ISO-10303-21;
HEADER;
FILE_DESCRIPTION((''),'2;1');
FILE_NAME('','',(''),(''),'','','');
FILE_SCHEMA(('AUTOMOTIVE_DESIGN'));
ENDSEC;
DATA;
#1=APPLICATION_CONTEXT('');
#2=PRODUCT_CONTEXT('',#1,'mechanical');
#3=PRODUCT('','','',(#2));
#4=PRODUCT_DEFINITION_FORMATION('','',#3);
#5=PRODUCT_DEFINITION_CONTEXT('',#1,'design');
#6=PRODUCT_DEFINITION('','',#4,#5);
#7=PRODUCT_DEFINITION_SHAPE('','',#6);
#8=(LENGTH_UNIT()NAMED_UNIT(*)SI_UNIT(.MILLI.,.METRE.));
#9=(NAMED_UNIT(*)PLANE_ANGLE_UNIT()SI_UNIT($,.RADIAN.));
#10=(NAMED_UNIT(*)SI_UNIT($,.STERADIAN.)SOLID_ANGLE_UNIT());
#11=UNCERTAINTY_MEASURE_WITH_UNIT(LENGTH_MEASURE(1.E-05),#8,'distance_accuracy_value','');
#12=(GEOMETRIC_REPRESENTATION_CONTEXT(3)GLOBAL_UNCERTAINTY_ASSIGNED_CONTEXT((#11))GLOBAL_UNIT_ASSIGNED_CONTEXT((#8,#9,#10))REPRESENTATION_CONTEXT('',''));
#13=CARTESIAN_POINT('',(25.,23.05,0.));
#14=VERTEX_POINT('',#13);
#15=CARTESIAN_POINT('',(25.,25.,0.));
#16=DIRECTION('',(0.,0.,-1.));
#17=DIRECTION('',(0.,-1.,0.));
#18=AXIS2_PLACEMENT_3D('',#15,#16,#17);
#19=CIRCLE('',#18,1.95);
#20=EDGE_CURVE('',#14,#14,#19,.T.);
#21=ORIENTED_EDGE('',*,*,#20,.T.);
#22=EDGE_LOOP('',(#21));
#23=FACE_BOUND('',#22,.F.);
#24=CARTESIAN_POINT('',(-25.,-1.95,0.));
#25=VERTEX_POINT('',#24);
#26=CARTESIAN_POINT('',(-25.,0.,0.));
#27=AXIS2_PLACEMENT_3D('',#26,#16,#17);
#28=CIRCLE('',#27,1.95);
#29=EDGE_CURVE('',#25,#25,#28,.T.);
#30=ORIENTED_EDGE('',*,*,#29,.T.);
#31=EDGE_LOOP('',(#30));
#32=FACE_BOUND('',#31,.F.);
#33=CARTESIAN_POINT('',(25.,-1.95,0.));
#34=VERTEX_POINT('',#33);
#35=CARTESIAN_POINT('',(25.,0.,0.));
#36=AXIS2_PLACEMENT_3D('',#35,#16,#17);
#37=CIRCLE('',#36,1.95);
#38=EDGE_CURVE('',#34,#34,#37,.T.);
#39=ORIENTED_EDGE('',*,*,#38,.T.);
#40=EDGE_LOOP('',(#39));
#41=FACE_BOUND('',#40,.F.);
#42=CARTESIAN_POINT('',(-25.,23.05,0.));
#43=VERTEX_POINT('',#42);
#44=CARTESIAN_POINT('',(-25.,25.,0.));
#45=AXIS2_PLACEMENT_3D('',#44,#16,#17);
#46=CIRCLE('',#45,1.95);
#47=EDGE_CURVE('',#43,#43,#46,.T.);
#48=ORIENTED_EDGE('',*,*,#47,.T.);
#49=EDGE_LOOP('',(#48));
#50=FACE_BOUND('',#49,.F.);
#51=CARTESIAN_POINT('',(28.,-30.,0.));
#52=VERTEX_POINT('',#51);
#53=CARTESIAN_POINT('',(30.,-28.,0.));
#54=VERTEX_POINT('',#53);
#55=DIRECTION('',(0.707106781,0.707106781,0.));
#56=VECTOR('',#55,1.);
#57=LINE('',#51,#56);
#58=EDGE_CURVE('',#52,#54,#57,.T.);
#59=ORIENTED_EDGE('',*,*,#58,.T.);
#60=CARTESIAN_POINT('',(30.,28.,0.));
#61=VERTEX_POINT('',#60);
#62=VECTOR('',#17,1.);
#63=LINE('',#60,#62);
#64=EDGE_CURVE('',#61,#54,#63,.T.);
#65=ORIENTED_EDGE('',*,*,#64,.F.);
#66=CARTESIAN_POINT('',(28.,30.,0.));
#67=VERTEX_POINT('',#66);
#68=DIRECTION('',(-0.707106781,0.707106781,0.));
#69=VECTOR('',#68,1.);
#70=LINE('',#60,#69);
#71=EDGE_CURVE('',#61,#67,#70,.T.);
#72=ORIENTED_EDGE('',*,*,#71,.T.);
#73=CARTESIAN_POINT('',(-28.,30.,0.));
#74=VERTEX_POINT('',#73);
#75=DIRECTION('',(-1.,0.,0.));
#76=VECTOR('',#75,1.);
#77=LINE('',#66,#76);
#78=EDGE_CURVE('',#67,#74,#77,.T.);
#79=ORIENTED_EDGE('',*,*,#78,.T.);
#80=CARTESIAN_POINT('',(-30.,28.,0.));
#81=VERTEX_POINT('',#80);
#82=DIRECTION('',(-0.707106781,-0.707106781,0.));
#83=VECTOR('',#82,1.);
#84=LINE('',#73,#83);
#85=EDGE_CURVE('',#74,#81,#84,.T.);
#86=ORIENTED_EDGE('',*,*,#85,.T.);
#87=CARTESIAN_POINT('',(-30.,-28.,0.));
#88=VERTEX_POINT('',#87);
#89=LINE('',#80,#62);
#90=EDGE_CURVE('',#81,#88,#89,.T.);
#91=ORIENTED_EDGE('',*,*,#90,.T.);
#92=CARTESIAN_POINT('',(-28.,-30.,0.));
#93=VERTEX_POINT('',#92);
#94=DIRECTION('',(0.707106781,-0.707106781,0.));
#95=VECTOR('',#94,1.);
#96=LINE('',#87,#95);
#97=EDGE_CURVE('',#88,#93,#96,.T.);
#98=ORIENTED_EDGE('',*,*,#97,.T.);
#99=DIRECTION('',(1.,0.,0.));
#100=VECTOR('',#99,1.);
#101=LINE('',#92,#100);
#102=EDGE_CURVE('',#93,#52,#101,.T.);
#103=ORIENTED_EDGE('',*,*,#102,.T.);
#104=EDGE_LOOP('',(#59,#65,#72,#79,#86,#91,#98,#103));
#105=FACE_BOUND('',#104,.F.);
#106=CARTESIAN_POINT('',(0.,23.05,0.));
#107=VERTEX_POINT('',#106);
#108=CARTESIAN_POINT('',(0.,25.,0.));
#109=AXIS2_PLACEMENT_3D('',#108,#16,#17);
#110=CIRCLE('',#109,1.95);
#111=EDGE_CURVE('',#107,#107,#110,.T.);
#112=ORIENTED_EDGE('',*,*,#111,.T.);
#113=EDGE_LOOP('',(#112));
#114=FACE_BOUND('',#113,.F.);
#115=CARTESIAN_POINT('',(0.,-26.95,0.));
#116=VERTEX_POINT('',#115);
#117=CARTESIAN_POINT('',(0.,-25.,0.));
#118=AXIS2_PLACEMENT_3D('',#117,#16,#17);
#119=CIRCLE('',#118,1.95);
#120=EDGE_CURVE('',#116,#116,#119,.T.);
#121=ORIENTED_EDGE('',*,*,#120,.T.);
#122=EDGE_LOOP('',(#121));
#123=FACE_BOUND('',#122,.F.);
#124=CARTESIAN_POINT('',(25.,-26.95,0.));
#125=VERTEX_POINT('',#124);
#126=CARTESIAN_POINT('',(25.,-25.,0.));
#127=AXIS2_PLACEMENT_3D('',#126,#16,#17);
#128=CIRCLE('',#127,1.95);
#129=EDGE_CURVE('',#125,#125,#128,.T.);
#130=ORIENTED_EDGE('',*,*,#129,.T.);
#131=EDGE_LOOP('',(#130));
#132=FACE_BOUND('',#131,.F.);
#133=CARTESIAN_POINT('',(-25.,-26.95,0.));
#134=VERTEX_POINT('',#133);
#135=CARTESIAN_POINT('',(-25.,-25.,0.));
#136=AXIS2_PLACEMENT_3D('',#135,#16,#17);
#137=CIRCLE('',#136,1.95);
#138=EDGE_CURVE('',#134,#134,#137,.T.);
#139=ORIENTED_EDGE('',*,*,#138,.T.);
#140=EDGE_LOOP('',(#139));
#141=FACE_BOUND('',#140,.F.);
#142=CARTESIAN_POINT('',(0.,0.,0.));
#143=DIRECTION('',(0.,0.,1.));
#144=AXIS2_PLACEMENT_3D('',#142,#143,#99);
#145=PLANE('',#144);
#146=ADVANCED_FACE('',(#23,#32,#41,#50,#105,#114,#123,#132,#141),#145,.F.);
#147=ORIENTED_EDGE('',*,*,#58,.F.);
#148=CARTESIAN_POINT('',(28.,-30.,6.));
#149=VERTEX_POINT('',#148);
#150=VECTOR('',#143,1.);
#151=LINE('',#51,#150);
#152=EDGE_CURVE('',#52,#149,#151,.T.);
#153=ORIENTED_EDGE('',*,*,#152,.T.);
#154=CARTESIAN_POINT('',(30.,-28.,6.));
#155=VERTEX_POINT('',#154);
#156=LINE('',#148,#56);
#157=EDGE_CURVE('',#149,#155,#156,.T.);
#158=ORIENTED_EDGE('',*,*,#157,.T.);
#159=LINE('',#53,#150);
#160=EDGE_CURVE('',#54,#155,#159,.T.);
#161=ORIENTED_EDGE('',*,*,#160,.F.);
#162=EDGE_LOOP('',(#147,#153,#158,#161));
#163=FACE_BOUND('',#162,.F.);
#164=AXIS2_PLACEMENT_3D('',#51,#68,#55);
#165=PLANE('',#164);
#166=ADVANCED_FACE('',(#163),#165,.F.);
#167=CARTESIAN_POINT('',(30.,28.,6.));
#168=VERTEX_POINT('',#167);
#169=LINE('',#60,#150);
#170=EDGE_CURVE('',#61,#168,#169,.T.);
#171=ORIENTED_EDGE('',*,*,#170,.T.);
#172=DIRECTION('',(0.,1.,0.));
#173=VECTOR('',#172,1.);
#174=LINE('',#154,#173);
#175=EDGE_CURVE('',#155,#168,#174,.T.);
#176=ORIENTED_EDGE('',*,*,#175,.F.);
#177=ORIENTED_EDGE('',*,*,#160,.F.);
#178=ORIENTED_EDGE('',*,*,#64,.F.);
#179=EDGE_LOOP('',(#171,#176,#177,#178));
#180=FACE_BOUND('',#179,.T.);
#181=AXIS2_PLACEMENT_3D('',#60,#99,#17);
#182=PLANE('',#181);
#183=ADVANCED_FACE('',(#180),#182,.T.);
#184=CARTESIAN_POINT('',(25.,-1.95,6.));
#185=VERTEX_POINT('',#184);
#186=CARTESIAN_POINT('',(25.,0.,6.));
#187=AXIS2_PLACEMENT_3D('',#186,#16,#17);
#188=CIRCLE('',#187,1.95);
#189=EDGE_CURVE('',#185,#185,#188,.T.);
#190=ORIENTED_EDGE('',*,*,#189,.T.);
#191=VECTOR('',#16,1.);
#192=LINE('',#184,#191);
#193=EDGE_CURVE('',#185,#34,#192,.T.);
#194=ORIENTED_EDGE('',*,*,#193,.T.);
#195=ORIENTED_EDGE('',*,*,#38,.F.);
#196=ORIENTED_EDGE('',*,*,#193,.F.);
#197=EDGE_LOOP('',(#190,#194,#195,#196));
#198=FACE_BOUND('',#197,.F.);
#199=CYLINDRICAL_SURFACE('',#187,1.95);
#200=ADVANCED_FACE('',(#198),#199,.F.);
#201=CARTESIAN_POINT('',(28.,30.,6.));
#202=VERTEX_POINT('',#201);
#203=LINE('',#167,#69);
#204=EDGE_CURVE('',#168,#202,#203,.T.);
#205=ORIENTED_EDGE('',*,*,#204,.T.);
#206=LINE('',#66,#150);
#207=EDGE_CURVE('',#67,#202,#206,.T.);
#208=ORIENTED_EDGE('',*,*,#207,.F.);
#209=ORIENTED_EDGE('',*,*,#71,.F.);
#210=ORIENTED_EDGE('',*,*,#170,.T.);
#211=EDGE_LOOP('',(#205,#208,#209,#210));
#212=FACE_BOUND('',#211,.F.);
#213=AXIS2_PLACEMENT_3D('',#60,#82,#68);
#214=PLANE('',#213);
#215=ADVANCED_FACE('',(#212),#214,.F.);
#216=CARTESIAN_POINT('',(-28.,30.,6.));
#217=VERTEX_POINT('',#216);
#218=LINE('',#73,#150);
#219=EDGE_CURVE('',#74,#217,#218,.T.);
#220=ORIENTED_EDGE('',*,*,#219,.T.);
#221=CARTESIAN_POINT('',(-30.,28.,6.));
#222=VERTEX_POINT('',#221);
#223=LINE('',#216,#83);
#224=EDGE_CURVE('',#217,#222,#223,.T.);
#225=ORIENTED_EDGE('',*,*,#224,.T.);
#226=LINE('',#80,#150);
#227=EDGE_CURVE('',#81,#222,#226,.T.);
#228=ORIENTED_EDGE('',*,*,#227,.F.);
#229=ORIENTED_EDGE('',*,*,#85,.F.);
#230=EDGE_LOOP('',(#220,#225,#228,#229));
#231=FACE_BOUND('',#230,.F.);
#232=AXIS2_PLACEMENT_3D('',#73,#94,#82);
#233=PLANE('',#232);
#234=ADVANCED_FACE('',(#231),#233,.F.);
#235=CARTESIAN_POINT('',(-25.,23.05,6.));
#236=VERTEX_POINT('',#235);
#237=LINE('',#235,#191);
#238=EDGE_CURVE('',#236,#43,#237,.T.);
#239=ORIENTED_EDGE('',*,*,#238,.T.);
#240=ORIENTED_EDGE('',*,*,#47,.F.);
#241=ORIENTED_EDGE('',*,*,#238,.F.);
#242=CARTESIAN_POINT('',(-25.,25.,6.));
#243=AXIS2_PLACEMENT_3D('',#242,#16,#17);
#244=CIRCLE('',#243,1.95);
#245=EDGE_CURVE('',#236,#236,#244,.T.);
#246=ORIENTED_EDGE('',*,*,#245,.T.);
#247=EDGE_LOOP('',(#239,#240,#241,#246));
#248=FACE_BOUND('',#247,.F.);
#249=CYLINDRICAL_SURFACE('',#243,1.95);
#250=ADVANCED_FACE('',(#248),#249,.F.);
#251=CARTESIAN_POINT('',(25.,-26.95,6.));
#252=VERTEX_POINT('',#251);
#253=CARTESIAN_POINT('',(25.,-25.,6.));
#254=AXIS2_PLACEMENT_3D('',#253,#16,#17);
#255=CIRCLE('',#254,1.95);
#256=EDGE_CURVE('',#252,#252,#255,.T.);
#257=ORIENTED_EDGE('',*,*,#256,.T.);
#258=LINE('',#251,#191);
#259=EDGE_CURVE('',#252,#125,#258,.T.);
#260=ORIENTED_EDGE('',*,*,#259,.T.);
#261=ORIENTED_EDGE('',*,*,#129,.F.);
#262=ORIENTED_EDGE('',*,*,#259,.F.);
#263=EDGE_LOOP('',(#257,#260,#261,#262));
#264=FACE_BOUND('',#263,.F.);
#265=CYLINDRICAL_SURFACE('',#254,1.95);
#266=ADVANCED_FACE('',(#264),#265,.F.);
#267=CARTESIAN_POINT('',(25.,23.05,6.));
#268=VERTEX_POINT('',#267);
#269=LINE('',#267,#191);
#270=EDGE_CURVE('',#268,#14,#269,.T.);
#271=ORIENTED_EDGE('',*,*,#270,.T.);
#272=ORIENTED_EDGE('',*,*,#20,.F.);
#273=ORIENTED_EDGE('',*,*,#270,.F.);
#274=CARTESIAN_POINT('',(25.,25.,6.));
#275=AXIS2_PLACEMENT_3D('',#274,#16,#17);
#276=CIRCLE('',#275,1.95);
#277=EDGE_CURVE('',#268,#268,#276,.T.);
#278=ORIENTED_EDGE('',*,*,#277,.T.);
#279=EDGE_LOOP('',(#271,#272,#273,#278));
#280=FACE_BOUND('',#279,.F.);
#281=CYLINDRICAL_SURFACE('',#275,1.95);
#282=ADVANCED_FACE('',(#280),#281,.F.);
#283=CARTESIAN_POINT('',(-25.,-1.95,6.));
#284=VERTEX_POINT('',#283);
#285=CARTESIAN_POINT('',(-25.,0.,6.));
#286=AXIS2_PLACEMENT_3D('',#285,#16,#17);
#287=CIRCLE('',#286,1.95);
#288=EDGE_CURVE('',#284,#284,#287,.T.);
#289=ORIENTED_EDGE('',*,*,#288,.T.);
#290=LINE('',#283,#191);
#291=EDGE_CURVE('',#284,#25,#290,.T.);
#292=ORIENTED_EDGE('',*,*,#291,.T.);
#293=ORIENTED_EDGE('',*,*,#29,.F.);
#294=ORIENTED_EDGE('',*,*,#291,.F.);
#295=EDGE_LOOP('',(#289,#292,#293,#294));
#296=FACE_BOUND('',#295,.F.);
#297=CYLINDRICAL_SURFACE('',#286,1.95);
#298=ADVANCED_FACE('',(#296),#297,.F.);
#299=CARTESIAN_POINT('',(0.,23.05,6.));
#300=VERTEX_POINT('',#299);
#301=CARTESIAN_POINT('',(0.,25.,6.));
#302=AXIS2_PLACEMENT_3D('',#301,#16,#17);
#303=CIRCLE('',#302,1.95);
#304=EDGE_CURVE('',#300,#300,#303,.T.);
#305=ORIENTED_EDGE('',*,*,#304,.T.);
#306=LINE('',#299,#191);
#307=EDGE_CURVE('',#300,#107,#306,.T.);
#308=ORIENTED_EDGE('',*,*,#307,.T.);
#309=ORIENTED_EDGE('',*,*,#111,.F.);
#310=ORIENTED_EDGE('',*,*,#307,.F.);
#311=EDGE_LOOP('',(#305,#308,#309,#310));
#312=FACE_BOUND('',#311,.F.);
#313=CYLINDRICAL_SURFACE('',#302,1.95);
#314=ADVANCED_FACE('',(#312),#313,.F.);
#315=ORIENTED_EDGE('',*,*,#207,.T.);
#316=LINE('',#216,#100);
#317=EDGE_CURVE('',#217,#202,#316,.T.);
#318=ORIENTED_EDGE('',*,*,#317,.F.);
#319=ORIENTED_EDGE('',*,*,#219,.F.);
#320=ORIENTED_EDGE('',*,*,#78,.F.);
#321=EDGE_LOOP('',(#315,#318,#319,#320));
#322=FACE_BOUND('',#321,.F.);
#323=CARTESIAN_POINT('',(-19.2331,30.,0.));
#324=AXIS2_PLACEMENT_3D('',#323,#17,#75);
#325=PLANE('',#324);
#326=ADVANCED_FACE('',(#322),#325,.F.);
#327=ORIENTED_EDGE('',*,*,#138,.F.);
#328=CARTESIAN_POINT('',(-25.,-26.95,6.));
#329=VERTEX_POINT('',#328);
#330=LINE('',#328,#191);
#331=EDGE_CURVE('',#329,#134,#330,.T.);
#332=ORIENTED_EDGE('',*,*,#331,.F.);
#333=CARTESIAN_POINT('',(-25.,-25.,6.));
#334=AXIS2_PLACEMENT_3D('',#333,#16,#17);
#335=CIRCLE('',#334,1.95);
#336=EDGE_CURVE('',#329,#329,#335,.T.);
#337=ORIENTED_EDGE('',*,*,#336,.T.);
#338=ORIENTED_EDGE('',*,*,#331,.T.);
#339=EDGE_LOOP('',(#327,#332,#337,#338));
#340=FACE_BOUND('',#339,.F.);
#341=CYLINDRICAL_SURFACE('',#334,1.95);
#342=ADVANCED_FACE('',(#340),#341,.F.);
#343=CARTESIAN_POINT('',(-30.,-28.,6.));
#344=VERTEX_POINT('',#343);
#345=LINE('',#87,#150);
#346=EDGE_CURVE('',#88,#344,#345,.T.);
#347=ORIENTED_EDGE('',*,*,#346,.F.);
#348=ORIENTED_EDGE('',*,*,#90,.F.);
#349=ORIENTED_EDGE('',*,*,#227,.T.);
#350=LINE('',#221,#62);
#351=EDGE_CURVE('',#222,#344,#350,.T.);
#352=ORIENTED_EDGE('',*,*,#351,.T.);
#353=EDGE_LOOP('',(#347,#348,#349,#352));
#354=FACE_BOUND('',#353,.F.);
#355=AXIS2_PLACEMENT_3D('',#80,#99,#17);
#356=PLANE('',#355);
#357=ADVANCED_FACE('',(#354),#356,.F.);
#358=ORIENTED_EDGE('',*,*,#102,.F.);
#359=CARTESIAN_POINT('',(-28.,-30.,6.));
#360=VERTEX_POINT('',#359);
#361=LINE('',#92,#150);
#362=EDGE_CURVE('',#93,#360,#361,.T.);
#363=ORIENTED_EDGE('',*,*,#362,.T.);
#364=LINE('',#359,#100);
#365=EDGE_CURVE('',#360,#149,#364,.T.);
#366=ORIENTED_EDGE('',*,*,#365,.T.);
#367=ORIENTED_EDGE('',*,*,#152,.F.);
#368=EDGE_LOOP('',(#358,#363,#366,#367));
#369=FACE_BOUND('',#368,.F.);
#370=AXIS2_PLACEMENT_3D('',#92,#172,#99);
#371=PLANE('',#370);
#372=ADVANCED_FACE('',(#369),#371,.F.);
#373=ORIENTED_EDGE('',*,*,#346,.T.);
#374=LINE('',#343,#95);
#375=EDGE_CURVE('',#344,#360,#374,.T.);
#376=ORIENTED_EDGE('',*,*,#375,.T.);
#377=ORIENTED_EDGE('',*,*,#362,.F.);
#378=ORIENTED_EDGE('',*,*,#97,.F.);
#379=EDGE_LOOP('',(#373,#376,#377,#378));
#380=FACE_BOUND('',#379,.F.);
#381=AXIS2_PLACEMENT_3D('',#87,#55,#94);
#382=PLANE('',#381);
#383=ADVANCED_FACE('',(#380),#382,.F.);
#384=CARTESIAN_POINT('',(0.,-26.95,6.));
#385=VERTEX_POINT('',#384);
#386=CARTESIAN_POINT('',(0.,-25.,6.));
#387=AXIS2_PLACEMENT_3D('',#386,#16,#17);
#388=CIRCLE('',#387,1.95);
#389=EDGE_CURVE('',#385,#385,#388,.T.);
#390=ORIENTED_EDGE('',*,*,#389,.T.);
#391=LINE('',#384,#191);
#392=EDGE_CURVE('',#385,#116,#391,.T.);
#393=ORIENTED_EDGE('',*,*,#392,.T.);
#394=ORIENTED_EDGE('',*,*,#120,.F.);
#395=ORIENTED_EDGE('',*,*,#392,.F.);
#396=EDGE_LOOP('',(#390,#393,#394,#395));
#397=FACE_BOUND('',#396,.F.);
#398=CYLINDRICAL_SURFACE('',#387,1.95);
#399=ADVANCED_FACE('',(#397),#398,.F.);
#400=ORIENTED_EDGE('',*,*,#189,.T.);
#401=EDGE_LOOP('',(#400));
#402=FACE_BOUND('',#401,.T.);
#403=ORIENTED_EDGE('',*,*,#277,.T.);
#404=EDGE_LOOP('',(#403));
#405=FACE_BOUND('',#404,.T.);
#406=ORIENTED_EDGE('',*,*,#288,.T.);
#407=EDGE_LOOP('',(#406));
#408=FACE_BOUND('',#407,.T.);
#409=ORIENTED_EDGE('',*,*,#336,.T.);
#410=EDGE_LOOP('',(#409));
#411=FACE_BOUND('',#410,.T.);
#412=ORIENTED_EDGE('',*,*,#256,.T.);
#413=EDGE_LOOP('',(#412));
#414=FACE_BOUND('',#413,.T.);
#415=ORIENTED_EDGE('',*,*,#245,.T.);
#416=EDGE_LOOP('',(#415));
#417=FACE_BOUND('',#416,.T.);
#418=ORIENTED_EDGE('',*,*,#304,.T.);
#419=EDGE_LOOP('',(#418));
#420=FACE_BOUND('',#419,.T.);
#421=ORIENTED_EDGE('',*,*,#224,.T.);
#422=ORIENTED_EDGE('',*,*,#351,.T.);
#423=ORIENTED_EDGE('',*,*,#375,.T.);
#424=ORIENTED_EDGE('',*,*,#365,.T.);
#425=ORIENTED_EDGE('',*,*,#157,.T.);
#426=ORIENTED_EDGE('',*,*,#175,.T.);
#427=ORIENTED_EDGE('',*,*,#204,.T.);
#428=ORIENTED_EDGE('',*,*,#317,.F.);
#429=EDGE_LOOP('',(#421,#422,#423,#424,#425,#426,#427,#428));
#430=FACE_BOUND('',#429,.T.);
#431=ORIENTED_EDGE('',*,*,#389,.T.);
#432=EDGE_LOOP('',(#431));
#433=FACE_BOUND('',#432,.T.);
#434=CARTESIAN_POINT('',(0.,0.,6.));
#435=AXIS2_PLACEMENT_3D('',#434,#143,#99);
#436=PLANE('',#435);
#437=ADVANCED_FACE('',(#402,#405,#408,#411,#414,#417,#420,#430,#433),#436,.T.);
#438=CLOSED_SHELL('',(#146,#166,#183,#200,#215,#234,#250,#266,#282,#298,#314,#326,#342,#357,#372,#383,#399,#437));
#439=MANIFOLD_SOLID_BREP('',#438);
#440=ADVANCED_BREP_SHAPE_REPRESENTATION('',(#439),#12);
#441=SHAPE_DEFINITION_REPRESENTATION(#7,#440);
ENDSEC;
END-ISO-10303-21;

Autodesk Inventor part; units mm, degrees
ref_plane "YZ Plane" through (0, 0, 0) normal (1, 0, 0) x (0, 1, 0)
ref_plane "XZ Plane" through (0, 0, 0) normal (0, 1, 0) x (-1, 0, 0)
ref_plane "XY Plane" through (0, 0, 0) normal (0, 0, 1) x (1, 0, 0)
ref_plane "Work Plane1" through (0, 0, 0) normal (0, 0, 1) x (1, 0, 0)
sketch "Sketch1" plane through (0, 0, 0) normal (0, 0, 1) x (1, 0, 0)
  line L0 (-28, 30) -> (-30, 28) projected
  line L1 (-30, 28) -> (-30, -28) projected
  line L2 (-30, -28) -> (-28, -30) projected
  line L3 (-28, -30) -> (28, -30) projected
  line L4 (28, -30) -> (30, -28) projected
  line L5 (30, -28) -> (30, -17.7934) projected
  line L6 (30, 28) -> (28, 30) projected
  line L7 (28, 30) -> (17.7934, 30) projected
  line L8 (-25, -25) -> (25, -25) construction
  line L9 (25, -25) -> (25, 25) construction
  line L10 (25, 25) -> (-25, 25) construction
  line L11 (-25, 25) -> (-25, -25) construction
  line L12 (-25, -25) -> (25, 25) construction
  line L13 (25, -25) -> (-25, 25) construction
  line L14 (30, -17.7934) -> (44, -17.7934) projected
  line L15 (44, -9.0511) -> (44, -17.7934) projected
  line L16 (30, -9.0511) -> (44, -9.0511) construction
  line L17 (30, -9.0511) -> (30, 8.3051) projected
  line L18 (30, 8.3051) -> (44, 8.3051) projected
  line L19 (44, 19.2331) -> (44, 8.3051) projected
  line L20 (30, 19.2331) -> (44, 19.2331) construction
  line L21 (30, 28) -> (30, -28) projected
  line L22 (17.7934, 30) -> (17.7934, 44) projected
  line L23 (9.0511, 44) -> (17.7934, 44) projected
  line L24 (9.0511, 30) -> (9.0511, 44) construction
  line L25 (-8.3051, 30) -> (-8.3051, 44) projected
  line L26 (-19.2331, 44) -> (-8.3051, 44) projected
  line L27 (-19.2331, 30) -> (-19.2331, 44) construction
  line L28 (-19.2331, 30) -> (-28, 30) projected
  line L29 (30, 19.2331) -> (30, 28) projected
  line L30 (9.0511, 30) -> (-8.3051, 30) projected
  line L31 (-28, 30) -> (28, 30) projected
  line L32 (25, 0) -> (-25, 0)
  point P0 (0, 0)
  dimension "d0" = 50
  dimension "d1" = 50
extrude "Extrusion1" add sketch "Sketch1" along normal blind 6
sketch "Sketch2" plane through (0, 0, 6) normal (0, 0, 1) x (1, 0, 0)
  line L0 (-25, -25) -> (25, -25)
  line L1 (25, -25) -> (25, 25)
  line L2 (25, 25) -> (-25, 25)
  line L3 (-25, 25) -> (-25, -25)
  line L4 (-25, -25) -> (25, 25) construction
  line L5 (25, -25) -> (-25, 25) construction
  point P0 (0, 0)
  point P1 (25, 0)
  point P2 (-25, 0)
  point P3 (0, 25)
  point P4 (0, -25)
  dimension "d4" = 50
  dimension "d5" = 50
hole "Hole1" at (25, 25, 6) at (25, -25, 6) at (-25, -25, 6) at (-25, 25, 6) at (-25, 0, 6) at (25, 0, 6) at (0, 25, 6) at (0, -25, 6) direction (0, 0, -1) diameter 3.9 depth 10 tip angle 118
properties part number "00_XY_stage-CHUO_SEIKI_LD-647-R1-Bottom"
